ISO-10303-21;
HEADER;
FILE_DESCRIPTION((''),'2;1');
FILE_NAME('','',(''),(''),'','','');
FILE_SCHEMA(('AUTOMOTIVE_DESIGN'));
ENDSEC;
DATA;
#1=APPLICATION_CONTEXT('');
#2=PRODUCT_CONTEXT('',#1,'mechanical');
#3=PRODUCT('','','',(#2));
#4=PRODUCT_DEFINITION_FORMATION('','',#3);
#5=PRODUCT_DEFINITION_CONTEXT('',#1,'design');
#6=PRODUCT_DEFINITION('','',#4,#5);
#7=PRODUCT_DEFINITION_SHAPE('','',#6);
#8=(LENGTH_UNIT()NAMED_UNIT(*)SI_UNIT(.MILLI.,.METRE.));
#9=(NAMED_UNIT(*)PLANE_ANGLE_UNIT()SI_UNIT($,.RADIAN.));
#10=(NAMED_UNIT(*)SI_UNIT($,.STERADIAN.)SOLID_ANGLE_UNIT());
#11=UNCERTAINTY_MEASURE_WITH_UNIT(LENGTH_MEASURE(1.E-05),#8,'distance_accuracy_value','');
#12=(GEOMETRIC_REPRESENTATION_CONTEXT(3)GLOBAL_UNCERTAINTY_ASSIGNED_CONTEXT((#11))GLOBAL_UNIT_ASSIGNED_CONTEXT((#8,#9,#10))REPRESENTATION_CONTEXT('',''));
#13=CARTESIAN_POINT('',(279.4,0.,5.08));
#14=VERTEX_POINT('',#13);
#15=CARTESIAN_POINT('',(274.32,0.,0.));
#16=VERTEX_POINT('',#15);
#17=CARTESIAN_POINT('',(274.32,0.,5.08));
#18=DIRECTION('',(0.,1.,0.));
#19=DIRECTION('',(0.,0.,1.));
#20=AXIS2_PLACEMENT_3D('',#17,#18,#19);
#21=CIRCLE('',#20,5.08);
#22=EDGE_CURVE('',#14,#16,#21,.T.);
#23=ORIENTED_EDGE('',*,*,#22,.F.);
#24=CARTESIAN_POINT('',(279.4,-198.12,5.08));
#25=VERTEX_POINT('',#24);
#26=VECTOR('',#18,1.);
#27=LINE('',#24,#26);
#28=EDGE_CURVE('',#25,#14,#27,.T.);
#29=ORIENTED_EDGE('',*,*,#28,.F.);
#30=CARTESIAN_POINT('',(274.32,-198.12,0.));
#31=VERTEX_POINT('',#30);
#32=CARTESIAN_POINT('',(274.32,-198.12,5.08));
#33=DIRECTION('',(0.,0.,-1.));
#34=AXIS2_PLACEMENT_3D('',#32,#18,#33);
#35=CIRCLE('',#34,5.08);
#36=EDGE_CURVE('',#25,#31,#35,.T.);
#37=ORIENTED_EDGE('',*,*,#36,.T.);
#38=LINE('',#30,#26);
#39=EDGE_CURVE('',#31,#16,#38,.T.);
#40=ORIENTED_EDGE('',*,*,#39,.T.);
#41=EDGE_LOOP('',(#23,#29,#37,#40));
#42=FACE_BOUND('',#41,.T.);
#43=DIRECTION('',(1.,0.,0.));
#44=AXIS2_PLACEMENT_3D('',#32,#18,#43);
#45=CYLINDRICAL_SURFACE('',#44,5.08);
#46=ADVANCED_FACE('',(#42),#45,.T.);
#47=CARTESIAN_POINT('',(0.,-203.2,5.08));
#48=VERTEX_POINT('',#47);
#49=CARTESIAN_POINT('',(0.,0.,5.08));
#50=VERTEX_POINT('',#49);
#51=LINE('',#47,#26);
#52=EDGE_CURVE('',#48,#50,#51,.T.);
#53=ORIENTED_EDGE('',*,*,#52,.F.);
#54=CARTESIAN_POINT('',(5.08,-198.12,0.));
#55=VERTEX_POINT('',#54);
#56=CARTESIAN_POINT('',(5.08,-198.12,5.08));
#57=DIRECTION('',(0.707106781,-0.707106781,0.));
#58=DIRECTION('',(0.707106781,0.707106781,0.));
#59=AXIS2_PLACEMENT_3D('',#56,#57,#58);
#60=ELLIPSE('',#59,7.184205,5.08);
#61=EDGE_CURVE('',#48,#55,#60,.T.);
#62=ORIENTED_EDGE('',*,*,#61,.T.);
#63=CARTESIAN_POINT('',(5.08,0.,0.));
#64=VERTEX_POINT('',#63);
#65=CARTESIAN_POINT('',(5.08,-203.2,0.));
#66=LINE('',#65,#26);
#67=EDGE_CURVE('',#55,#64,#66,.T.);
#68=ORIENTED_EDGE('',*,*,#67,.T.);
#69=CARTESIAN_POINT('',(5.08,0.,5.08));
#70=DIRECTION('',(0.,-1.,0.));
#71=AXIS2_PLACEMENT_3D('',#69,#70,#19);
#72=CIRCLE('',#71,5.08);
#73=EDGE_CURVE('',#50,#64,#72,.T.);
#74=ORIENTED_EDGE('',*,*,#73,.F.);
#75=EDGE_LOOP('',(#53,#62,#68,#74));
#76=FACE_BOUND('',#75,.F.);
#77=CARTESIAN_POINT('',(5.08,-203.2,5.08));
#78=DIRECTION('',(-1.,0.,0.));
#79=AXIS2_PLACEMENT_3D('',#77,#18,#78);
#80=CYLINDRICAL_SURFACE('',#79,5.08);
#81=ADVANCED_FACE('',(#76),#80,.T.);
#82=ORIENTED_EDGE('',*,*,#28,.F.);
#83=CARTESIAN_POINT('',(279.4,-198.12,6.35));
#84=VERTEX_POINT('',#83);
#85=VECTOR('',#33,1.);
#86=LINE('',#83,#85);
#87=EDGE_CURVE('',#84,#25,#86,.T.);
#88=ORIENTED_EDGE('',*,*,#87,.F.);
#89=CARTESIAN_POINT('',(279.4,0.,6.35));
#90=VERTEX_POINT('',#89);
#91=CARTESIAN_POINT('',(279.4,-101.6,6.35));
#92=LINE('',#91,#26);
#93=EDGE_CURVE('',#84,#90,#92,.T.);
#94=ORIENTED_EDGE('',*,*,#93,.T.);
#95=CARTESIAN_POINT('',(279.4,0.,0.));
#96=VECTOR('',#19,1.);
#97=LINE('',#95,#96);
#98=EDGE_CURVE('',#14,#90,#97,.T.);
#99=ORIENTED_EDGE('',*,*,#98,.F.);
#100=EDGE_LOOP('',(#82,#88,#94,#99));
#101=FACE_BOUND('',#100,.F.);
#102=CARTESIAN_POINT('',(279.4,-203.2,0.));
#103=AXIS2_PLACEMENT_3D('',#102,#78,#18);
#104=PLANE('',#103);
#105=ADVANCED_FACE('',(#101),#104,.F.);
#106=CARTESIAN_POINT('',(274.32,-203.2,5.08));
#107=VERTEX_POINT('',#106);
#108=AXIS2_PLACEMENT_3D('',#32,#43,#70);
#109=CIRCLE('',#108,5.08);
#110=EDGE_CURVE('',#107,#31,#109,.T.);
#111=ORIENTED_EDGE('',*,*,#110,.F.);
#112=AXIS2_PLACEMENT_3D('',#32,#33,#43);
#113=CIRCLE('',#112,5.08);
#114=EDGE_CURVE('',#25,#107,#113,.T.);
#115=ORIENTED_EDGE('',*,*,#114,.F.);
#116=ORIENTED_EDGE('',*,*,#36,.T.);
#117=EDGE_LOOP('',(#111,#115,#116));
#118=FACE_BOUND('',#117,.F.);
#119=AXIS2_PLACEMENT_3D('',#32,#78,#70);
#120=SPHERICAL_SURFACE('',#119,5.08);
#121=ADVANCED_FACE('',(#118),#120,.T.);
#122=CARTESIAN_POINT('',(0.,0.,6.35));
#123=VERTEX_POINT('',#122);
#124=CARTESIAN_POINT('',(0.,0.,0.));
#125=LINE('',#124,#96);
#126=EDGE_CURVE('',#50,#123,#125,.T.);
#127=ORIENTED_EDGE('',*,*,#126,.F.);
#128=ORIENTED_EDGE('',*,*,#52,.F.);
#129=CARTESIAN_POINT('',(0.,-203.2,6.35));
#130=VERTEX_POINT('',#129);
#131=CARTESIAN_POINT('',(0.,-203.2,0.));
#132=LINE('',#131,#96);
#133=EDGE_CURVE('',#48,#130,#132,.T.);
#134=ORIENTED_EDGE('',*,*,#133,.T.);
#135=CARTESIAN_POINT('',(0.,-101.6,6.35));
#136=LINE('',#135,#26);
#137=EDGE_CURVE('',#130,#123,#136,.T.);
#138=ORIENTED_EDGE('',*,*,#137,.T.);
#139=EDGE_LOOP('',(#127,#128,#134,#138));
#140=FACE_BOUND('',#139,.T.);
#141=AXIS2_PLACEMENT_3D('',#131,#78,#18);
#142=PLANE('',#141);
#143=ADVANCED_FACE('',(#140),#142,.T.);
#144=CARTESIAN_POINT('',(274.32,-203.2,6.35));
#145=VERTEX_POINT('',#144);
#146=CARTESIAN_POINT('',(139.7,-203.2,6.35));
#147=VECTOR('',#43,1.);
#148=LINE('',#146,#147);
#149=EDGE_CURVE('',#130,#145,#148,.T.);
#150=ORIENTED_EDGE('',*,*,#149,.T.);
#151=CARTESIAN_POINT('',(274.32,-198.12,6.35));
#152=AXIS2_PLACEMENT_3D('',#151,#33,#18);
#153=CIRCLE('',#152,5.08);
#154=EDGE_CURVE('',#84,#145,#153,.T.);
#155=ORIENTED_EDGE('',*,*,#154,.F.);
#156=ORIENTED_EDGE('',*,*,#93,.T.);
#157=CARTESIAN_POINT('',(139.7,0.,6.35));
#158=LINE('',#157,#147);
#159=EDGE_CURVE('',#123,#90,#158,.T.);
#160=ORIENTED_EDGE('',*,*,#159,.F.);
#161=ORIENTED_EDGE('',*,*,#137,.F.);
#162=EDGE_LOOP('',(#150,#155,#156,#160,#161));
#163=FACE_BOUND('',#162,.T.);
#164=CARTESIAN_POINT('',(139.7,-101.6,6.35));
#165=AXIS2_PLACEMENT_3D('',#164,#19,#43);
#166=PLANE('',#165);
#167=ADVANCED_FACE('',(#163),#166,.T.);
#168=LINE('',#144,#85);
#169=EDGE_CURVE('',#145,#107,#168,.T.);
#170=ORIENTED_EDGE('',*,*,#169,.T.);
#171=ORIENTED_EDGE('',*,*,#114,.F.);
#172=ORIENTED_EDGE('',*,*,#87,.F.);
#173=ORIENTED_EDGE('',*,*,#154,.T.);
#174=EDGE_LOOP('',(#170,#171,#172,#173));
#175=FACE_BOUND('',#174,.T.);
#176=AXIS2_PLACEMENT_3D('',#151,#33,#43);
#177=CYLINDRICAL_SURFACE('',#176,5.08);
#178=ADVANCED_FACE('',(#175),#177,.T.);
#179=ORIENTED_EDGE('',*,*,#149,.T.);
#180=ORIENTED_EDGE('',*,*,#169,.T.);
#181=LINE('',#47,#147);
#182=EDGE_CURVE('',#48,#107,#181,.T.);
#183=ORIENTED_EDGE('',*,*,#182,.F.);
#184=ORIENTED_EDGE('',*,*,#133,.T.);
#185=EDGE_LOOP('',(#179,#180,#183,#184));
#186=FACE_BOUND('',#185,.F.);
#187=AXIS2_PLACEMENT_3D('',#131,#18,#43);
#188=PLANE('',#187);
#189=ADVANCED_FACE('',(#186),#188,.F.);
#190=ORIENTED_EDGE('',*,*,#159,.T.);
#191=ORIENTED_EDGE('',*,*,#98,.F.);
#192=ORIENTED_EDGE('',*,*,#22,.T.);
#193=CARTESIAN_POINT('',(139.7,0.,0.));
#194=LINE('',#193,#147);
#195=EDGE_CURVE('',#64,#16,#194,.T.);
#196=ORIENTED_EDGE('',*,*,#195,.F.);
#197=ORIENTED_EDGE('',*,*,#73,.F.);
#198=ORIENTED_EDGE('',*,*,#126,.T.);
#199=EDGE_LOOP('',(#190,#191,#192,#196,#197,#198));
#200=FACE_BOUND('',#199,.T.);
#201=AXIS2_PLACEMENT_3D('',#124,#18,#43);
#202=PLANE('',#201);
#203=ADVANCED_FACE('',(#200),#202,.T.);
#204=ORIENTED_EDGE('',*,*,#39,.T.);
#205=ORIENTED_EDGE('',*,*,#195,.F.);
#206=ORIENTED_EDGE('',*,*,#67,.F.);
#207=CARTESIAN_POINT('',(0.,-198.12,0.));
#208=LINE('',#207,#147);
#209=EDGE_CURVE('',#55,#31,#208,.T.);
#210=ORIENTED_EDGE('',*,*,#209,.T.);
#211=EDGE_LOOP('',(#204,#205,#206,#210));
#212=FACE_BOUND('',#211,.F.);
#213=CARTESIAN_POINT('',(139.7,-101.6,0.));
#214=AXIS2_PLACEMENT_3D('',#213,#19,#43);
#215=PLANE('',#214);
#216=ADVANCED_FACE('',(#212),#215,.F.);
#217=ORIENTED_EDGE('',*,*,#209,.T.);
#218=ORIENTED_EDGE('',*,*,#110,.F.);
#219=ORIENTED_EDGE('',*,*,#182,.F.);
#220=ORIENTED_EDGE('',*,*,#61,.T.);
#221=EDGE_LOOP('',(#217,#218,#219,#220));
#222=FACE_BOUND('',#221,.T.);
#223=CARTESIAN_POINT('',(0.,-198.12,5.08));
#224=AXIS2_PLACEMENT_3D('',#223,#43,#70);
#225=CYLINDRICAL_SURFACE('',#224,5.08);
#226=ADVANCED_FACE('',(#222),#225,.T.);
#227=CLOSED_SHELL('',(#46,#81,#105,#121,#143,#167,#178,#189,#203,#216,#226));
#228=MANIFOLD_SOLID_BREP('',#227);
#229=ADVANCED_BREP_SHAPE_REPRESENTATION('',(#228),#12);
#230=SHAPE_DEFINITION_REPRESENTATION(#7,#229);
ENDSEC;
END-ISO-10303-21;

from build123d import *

# Parameters (mm, degrees)
F0_W     = 279.4
F0_H     = 203.2
F1_DEPTH = 6.35
F2_R     = 5.08
F3_R     = 5.08


with BuildPart() as f1:
    # F0 (on Top) → F1 (new body)
    with BuildSketch(Plane.XY):
        with Locations((139.7, -101.6)):
            Rectangle(F0_W, F0_H)
    extrude(amount=F1_DEPTH)

    # F2
    f2_edges = [f1.edges().sort_by_distance(p)[0] for p in [
        (139.7, -203.2, 0),
        (0, -101.6, 0),
    ]]
    fillet(f2_edges, radius=F2_R)

    # F3
    f3_edges = [f1.edges().sort_by_distance(p)[0] for p in [
        (279.4, -99.06, 0),
    ]]
    fillet(f3_edges, radius=F3_R)


solid = f1.part
